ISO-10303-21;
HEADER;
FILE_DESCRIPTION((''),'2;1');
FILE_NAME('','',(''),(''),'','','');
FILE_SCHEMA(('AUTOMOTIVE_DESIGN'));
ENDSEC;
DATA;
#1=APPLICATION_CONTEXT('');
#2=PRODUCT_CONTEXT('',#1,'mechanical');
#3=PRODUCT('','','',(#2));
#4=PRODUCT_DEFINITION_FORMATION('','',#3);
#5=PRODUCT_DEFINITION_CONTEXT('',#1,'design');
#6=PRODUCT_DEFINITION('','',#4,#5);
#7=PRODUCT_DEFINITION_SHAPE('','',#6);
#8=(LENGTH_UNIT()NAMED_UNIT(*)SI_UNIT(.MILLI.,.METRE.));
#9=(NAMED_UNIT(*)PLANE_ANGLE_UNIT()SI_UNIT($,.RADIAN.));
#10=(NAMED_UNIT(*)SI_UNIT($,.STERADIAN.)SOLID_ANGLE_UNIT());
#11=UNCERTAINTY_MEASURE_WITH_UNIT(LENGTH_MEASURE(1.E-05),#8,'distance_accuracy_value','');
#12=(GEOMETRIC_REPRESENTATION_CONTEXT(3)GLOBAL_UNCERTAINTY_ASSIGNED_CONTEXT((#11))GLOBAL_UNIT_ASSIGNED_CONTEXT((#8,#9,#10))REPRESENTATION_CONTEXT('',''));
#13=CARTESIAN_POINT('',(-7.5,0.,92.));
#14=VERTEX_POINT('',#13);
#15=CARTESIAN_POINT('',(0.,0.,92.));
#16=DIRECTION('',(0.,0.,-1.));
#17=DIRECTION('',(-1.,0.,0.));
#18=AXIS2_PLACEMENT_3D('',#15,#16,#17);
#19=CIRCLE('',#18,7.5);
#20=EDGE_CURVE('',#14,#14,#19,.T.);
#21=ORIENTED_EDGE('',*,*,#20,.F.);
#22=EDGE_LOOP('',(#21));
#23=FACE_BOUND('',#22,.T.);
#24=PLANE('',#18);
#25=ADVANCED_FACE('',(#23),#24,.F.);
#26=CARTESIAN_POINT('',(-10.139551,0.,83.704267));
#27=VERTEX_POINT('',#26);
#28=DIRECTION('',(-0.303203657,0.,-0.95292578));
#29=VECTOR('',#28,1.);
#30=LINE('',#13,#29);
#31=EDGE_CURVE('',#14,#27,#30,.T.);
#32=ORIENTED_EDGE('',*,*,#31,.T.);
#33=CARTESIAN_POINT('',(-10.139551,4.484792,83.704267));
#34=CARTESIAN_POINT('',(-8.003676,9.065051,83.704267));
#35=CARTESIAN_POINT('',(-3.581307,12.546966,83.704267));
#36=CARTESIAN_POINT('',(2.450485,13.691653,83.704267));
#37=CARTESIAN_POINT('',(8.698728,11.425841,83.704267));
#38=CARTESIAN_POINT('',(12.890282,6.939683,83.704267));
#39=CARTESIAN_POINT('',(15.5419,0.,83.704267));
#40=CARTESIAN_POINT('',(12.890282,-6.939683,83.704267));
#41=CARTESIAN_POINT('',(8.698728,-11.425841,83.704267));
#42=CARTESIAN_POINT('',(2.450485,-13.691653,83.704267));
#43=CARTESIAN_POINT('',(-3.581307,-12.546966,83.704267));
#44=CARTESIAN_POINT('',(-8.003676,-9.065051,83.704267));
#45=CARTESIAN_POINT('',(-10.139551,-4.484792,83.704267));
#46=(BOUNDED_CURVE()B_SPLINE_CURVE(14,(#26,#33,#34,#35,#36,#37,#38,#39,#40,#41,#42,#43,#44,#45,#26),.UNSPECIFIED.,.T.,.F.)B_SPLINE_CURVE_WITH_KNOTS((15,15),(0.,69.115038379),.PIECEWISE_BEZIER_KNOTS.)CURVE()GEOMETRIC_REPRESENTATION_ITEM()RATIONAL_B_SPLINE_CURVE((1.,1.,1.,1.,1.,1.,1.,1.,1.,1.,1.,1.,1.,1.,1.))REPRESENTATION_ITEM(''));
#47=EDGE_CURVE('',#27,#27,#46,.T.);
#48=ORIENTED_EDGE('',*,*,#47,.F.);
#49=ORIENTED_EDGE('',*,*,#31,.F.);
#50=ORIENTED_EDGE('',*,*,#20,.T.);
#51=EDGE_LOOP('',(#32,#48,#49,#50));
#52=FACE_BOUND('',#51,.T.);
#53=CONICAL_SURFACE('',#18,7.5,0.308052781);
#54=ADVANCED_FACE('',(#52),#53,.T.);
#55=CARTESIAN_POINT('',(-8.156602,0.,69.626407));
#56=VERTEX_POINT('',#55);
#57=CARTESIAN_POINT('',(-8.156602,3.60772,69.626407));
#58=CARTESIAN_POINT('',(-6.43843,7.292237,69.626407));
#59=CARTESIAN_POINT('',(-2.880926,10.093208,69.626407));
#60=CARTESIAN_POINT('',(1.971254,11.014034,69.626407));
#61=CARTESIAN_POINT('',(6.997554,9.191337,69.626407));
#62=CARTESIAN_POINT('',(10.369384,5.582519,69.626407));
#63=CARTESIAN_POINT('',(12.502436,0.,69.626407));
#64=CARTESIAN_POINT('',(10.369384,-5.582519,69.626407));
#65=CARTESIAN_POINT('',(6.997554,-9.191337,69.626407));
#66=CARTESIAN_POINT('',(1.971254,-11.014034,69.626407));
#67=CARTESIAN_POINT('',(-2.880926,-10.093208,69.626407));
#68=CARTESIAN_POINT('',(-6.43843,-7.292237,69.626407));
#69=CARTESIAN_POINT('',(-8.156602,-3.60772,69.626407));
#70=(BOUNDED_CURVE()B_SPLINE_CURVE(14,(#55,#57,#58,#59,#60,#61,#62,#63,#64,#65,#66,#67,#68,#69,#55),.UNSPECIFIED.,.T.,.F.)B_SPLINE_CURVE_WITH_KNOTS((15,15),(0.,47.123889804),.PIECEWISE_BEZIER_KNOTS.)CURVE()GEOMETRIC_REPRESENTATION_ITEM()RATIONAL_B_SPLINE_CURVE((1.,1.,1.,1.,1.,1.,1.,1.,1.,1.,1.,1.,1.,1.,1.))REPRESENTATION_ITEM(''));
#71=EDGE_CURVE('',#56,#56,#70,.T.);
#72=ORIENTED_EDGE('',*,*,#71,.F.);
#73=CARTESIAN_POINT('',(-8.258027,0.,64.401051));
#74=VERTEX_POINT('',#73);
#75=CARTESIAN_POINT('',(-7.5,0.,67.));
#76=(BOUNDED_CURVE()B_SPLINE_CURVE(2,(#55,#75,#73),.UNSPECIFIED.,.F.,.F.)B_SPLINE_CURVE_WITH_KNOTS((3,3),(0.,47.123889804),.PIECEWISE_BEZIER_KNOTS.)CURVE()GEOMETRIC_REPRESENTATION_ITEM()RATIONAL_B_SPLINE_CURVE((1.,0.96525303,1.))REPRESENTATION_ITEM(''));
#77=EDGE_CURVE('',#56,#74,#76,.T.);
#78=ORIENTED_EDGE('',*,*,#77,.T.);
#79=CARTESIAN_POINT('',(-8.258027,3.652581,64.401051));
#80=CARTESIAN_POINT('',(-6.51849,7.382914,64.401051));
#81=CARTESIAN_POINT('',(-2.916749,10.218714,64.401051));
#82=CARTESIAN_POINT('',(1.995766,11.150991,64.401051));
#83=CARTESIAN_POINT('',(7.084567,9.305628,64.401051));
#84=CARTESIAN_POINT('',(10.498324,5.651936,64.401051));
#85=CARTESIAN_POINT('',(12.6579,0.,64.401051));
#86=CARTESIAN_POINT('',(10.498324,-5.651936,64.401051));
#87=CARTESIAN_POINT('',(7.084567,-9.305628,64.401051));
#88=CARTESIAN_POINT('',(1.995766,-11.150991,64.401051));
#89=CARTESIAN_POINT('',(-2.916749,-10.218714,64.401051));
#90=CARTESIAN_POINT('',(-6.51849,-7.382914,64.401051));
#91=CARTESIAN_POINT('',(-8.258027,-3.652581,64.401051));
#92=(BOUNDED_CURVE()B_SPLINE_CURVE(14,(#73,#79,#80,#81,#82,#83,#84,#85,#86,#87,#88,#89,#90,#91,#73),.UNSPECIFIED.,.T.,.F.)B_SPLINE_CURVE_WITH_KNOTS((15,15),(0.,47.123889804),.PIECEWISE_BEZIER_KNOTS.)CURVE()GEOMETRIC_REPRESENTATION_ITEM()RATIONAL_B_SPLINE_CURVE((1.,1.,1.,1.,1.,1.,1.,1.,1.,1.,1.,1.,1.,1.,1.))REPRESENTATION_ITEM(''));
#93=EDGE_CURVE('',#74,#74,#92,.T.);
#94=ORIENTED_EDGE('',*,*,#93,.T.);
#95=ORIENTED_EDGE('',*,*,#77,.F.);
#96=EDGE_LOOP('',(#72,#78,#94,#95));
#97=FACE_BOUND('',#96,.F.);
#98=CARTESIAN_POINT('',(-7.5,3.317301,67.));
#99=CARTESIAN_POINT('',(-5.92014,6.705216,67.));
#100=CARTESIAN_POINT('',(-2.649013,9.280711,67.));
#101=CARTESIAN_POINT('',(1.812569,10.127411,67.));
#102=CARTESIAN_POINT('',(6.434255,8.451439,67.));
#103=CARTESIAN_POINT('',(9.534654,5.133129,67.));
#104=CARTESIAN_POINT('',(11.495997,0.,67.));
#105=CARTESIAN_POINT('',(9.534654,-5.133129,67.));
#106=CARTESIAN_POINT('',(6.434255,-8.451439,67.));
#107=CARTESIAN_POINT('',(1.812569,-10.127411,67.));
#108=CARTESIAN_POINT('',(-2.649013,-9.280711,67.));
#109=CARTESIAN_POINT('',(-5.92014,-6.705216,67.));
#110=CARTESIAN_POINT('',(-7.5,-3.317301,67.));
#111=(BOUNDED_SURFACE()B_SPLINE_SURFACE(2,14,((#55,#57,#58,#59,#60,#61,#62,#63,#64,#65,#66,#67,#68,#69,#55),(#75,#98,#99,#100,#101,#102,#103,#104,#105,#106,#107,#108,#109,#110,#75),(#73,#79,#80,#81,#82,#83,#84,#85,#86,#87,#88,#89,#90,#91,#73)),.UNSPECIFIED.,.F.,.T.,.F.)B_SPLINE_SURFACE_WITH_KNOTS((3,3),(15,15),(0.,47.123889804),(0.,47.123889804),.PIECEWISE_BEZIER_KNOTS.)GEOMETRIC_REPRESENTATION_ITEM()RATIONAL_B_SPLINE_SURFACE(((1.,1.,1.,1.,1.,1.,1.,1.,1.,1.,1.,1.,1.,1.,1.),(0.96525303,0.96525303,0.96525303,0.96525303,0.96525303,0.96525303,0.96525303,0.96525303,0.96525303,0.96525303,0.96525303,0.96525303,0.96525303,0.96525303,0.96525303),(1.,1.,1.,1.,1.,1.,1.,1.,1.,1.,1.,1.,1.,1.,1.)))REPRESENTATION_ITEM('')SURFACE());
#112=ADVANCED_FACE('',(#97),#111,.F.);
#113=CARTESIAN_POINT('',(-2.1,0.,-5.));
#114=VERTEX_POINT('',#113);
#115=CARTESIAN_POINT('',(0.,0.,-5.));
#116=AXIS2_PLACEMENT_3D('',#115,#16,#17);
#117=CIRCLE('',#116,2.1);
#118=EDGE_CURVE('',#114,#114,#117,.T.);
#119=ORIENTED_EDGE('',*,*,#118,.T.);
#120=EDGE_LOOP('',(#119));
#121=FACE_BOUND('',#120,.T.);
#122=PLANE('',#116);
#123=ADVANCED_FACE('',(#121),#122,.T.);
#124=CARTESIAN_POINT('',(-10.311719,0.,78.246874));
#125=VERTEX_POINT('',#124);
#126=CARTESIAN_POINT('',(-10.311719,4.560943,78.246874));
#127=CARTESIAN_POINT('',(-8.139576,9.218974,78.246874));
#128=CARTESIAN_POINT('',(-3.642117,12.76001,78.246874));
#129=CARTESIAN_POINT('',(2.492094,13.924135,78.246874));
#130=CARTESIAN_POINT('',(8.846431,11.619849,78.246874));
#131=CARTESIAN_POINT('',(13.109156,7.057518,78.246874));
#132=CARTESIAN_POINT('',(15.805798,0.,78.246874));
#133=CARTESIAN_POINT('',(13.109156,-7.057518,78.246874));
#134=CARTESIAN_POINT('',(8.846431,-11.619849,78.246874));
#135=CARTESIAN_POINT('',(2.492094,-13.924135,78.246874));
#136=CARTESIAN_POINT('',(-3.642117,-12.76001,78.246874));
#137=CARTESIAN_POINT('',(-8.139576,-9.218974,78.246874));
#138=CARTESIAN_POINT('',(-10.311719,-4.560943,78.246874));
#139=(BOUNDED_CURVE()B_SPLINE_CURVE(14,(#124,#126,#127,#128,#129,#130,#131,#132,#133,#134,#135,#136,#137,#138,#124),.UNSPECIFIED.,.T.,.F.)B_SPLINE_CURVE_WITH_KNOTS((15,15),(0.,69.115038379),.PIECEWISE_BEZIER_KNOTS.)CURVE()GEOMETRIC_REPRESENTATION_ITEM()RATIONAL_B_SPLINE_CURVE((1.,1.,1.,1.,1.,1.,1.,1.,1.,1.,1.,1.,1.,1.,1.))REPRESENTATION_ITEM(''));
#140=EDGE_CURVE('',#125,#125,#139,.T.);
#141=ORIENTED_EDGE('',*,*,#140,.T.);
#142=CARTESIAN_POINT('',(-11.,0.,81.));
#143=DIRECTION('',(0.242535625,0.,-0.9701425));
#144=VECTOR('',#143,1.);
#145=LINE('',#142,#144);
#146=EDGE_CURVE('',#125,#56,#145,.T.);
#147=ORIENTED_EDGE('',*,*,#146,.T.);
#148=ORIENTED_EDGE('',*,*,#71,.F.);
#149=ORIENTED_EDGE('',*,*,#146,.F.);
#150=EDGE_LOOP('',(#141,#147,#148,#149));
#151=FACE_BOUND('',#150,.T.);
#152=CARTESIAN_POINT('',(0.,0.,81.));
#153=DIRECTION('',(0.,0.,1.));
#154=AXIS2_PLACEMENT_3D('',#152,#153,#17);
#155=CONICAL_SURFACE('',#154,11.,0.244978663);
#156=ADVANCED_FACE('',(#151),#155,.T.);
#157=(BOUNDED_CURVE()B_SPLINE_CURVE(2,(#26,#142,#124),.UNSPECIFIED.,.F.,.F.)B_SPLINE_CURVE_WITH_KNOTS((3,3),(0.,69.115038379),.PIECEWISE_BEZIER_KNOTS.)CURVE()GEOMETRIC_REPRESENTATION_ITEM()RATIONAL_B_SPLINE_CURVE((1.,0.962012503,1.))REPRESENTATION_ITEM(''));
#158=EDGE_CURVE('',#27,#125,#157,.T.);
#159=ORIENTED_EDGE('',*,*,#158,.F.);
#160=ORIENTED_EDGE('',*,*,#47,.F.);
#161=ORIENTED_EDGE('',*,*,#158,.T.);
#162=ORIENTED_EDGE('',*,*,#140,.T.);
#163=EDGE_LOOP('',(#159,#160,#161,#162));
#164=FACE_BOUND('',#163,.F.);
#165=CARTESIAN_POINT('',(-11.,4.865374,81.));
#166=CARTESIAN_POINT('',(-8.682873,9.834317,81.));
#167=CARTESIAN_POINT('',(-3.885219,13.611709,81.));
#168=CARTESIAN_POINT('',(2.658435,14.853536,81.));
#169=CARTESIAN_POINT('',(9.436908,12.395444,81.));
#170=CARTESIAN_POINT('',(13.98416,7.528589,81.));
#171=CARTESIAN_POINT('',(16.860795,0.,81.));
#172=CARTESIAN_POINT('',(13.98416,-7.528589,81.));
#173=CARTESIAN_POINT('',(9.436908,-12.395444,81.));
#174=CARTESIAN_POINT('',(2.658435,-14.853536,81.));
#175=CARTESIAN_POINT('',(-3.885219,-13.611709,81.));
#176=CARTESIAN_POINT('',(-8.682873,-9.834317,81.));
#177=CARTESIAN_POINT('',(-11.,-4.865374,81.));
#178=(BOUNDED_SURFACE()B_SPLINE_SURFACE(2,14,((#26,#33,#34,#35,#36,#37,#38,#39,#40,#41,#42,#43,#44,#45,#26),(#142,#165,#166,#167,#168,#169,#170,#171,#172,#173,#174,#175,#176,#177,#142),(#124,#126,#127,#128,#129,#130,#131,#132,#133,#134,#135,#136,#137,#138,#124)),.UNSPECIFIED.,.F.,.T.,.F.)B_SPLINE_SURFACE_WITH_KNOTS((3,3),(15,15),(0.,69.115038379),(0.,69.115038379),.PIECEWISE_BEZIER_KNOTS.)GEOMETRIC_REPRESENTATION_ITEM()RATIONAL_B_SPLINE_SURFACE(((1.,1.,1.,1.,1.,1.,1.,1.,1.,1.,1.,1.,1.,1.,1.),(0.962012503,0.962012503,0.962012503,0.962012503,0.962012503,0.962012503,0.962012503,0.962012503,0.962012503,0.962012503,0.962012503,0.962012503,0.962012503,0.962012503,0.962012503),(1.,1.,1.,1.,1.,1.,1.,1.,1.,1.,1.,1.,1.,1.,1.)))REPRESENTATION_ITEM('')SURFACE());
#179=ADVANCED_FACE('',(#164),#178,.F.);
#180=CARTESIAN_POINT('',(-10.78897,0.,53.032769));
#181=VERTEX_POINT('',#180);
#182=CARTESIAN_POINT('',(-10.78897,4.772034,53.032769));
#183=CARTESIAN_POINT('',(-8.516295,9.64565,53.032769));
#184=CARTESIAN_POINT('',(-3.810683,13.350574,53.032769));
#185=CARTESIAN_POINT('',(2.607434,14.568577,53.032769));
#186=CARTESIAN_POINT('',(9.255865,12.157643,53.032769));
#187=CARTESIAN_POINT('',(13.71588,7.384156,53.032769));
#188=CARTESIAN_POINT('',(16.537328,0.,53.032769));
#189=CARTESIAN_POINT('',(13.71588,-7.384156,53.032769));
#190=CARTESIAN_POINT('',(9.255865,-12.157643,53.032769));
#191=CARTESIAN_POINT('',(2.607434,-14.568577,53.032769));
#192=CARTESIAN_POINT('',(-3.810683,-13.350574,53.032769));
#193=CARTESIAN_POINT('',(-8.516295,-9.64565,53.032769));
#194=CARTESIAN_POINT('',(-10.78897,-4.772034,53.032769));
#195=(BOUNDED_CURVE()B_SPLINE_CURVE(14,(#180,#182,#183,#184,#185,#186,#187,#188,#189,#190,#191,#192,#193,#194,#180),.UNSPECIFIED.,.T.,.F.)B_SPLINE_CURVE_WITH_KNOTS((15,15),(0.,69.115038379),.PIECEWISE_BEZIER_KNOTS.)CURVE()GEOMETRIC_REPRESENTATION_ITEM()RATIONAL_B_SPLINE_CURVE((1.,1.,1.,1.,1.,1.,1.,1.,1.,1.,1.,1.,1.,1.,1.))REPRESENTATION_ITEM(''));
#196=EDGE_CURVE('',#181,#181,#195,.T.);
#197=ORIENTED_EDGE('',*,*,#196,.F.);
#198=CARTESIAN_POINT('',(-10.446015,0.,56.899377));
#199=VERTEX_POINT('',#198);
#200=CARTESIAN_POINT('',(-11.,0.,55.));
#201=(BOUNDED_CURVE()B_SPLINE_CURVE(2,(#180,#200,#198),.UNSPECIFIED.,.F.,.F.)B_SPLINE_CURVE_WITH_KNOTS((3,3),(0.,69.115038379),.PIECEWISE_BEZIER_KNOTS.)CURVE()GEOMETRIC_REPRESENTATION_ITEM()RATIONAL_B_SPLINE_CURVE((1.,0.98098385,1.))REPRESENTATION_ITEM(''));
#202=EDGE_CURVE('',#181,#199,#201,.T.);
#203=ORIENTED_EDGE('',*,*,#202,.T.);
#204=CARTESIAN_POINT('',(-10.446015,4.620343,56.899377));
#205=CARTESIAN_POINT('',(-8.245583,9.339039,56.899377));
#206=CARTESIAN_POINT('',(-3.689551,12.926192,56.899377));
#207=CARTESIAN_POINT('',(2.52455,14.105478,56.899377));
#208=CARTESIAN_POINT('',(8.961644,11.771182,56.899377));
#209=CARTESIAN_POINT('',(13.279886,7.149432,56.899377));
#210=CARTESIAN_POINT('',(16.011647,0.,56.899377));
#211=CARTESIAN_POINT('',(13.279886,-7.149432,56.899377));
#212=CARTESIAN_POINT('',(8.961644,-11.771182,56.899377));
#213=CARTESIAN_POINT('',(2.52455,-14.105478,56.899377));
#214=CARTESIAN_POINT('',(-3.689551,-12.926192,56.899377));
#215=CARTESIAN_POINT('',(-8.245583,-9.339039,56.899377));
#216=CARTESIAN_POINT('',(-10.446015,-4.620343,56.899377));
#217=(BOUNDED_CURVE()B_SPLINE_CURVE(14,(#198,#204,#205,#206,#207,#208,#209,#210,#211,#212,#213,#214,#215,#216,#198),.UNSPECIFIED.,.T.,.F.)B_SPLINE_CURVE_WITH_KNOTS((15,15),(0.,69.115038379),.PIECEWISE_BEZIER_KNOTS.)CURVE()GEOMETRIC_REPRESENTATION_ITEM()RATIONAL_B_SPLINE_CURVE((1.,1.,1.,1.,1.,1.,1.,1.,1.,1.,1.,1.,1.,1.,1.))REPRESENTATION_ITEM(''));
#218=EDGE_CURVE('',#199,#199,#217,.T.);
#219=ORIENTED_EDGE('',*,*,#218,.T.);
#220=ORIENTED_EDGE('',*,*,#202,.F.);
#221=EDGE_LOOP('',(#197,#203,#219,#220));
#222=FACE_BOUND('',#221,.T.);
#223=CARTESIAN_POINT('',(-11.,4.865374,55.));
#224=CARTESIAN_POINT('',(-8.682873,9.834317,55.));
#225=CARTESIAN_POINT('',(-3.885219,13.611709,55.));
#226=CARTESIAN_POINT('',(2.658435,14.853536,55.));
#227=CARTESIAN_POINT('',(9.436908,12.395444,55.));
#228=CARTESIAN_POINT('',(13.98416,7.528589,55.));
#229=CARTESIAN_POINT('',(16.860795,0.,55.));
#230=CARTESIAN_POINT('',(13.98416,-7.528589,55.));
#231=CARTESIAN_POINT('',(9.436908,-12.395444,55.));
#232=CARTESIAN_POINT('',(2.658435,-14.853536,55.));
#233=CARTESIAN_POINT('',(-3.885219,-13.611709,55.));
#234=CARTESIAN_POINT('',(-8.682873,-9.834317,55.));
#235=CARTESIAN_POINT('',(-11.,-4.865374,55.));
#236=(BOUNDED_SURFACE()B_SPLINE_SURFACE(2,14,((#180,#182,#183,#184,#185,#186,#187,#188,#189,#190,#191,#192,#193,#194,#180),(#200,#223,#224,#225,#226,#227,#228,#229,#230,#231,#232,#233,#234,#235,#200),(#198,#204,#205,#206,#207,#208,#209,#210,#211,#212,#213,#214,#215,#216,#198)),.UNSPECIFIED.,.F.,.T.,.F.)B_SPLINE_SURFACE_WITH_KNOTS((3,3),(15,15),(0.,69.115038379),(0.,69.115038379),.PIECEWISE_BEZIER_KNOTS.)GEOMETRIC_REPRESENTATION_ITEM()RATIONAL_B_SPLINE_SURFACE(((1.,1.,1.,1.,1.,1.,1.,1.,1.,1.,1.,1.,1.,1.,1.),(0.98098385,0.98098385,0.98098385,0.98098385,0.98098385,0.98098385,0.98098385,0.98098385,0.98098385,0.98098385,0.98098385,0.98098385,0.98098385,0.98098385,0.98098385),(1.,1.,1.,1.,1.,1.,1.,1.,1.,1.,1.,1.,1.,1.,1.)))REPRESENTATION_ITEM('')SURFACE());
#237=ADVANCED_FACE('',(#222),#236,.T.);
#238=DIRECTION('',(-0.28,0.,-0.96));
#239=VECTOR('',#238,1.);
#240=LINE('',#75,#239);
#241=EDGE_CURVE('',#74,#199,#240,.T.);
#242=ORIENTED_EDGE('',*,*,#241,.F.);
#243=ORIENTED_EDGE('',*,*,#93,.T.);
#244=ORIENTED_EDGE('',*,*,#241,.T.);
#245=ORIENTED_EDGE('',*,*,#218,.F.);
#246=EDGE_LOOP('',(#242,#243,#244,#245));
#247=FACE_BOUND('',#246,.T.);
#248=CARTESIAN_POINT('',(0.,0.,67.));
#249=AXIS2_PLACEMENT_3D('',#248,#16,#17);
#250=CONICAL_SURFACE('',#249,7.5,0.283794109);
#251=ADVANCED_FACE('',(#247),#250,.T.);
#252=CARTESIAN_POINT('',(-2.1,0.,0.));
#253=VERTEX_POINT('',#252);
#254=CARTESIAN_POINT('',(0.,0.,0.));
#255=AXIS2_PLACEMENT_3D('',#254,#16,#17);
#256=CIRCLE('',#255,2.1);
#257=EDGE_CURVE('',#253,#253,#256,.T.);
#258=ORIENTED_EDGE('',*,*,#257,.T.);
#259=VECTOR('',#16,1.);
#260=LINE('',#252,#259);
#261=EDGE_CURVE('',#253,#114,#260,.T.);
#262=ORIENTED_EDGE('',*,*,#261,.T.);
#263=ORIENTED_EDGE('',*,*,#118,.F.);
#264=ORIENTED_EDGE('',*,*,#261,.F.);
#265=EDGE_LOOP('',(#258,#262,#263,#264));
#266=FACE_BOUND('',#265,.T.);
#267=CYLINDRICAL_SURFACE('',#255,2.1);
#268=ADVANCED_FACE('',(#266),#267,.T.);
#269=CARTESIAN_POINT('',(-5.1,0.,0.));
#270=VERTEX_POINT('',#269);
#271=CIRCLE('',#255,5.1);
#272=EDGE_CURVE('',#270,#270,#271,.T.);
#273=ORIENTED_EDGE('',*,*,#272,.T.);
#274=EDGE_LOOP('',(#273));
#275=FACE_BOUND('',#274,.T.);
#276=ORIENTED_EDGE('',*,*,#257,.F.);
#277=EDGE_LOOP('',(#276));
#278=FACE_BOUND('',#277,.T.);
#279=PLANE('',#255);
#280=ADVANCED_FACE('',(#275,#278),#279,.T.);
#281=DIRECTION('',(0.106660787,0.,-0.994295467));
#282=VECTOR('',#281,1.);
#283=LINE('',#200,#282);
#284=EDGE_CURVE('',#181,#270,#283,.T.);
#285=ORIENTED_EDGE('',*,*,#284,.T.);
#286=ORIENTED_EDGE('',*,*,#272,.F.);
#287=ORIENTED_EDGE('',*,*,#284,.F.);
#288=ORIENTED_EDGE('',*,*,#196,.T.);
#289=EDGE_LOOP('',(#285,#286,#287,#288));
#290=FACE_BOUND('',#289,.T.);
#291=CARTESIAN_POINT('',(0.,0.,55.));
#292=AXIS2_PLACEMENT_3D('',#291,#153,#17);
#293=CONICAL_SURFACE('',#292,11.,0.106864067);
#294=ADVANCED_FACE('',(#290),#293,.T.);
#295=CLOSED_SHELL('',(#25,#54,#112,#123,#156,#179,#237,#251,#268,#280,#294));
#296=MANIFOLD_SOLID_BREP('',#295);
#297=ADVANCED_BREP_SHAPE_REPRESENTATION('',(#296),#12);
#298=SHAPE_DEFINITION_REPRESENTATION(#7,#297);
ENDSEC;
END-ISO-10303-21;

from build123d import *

# Parameters (mm, degrees)
F2_R = 10


with BuildPart() as f1:
    # F0 (on Front) → F1 (revolve)
    with BuildSketch(Plane.XZ):
        Polygon((-11, 55), (-5.1, 0), (-2.1, 0), (-2.1, -5), (0, -5), (0, 92), (-7.5, 92), (-11, 81), (-7.5, 67), align=None)
    revolve(axis=Axis((0, 0, 43.5), (0, 0, -1)))

    # F2
    f2_edges = [f1.edges().sort_by_distance(p)[0] for p in [
        (11, 0, 55),
        (7.5, 0, 67),
        (11, 0, 81),
    ]]
    fillet(f2_edges, radius=F2_R)


solid = f1.part
